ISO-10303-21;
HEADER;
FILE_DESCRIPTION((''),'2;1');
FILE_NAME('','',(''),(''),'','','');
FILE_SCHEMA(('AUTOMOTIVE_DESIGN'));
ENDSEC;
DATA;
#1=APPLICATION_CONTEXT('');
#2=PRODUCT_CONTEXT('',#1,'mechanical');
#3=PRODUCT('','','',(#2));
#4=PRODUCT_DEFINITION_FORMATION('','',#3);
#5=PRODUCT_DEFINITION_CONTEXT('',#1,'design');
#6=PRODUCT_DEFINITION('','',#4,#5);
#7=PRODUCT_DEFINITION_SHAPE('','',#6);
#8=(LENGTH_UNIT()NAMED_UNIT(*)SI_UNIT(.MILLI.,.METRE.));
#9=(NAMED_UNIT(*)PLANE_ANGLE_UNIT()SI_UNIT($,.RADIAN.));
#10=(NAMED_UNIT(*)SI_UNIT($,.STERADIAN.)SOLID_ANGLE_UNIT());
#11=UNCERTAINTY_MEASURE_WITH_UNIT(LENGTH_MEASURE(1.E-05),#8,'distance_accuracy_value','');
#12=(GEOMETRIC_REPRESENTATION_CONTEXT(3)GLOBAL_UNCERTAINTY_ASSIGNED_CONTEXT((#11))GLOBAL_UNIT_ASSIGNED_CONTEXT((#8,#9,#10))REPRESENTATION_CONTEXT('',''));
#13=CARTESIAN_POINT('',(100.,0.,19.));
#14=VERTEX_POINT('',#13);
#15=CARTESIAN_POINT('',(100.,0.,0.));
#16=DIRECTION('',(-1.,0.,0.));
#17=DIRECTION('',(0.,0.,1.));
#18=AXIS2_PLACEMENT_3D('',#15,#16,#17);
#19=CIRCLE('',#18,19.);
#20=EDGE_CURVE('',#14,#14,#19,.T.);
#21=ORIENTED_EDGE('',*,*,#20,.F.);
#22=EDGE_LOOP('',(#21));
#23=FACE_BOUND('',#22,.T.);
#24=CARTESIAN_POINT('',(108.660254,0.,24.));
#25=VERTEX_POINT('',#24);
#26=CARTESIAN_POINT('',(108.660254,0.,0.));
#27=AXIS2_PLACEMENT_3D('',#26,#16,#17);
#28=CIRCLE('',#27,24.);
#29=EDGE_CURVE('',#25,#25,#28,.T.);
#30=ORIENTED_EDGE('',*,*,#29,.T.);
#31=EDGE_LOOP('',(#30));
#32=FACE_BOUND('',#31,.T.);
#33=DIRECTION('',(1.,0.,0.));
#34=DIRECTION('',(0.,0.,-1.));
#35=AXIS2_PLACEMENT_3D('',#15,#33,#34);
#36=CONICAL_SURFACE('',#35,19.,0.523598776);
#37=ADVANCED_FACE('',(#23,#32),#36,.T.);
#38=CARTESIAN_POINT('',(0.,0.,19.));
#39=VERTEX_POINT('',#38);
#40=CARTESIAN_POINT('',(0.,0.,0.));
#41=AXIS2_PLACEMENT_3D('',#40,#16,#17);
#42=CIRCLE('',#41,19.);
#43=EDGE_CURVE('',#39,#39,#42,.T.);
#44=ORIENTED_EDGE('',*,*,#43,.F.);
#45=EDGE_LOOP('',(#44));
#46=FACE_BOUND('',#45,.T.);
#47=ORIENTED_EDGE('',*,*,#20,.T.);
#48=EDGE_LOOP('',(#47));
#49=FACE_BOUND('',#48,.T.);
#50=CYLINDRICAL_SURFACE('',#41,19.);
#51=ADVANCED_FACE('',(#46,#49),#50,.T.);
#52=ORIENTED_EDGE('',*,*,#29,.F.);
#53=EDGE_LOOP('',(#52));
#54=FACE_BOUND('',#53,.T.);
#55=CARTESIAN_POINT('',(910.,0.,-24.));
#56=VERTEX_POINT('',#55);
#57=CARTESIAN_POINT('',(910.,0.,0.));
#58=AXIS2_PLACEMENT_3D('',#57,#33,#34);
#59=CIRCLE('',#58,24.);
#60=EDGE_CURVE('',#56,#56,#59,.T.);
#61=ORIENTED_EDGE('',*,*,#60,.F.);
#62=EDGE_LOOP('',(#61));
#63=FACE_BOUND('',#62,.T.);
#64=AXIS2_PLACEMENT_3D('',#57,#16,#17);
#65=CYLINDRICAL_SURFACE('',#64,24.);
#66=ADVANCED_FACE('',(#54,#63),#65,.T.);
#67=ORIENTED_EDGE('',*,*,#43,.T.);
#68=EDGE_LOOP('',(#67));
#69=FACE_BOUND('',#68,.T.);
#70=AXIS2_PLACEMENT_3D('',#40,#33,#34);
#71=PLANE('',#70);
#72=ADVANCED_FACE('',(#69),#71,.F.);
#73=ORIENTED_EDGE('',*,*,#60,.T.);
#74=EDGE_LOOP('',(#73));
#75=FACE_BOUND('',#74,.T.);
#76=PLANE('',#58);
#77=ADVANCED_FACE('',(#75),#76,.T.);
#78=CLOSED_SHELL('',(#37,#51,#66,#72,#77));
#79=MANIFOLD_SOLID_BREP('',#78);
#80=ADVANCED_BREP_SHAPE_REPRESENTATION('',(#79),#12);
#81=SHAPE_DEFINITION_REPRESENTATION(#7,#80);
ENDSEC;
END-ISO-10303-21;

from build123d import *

# Parameters (mm, degrees)
SKETCH_3_R      = 24
EXTRUDE_2_DEPTH = 910


with BuildPart() as part:
    # 草图3 → 凸台-拉伸2 (new body)
    with BuildSketch(Plane(origin=(0, 0, 0), x_dir=(0, 0, -1), z_dir=(1, 0, 0))):
        Circle(SKETCH_3_R)
    extrude(amount=EXTRUDE_2_DEPTH)

    # 草图4 → 切除-旋转1 (revolve, cut)
    with BuildSketch(Plane(origin=(0, 0, 0), x_dir=(1, 0, 0), z_dir=(0, 1, 0))):
        Polygon((0, 24), (0, 19), (100, 19), (108.660254038, 24), align=None)
    revolve(axis=Axis((0, 0, 0), (1, 0, 0)), mode=Mode.SUBTRACT)


solid = part.part
